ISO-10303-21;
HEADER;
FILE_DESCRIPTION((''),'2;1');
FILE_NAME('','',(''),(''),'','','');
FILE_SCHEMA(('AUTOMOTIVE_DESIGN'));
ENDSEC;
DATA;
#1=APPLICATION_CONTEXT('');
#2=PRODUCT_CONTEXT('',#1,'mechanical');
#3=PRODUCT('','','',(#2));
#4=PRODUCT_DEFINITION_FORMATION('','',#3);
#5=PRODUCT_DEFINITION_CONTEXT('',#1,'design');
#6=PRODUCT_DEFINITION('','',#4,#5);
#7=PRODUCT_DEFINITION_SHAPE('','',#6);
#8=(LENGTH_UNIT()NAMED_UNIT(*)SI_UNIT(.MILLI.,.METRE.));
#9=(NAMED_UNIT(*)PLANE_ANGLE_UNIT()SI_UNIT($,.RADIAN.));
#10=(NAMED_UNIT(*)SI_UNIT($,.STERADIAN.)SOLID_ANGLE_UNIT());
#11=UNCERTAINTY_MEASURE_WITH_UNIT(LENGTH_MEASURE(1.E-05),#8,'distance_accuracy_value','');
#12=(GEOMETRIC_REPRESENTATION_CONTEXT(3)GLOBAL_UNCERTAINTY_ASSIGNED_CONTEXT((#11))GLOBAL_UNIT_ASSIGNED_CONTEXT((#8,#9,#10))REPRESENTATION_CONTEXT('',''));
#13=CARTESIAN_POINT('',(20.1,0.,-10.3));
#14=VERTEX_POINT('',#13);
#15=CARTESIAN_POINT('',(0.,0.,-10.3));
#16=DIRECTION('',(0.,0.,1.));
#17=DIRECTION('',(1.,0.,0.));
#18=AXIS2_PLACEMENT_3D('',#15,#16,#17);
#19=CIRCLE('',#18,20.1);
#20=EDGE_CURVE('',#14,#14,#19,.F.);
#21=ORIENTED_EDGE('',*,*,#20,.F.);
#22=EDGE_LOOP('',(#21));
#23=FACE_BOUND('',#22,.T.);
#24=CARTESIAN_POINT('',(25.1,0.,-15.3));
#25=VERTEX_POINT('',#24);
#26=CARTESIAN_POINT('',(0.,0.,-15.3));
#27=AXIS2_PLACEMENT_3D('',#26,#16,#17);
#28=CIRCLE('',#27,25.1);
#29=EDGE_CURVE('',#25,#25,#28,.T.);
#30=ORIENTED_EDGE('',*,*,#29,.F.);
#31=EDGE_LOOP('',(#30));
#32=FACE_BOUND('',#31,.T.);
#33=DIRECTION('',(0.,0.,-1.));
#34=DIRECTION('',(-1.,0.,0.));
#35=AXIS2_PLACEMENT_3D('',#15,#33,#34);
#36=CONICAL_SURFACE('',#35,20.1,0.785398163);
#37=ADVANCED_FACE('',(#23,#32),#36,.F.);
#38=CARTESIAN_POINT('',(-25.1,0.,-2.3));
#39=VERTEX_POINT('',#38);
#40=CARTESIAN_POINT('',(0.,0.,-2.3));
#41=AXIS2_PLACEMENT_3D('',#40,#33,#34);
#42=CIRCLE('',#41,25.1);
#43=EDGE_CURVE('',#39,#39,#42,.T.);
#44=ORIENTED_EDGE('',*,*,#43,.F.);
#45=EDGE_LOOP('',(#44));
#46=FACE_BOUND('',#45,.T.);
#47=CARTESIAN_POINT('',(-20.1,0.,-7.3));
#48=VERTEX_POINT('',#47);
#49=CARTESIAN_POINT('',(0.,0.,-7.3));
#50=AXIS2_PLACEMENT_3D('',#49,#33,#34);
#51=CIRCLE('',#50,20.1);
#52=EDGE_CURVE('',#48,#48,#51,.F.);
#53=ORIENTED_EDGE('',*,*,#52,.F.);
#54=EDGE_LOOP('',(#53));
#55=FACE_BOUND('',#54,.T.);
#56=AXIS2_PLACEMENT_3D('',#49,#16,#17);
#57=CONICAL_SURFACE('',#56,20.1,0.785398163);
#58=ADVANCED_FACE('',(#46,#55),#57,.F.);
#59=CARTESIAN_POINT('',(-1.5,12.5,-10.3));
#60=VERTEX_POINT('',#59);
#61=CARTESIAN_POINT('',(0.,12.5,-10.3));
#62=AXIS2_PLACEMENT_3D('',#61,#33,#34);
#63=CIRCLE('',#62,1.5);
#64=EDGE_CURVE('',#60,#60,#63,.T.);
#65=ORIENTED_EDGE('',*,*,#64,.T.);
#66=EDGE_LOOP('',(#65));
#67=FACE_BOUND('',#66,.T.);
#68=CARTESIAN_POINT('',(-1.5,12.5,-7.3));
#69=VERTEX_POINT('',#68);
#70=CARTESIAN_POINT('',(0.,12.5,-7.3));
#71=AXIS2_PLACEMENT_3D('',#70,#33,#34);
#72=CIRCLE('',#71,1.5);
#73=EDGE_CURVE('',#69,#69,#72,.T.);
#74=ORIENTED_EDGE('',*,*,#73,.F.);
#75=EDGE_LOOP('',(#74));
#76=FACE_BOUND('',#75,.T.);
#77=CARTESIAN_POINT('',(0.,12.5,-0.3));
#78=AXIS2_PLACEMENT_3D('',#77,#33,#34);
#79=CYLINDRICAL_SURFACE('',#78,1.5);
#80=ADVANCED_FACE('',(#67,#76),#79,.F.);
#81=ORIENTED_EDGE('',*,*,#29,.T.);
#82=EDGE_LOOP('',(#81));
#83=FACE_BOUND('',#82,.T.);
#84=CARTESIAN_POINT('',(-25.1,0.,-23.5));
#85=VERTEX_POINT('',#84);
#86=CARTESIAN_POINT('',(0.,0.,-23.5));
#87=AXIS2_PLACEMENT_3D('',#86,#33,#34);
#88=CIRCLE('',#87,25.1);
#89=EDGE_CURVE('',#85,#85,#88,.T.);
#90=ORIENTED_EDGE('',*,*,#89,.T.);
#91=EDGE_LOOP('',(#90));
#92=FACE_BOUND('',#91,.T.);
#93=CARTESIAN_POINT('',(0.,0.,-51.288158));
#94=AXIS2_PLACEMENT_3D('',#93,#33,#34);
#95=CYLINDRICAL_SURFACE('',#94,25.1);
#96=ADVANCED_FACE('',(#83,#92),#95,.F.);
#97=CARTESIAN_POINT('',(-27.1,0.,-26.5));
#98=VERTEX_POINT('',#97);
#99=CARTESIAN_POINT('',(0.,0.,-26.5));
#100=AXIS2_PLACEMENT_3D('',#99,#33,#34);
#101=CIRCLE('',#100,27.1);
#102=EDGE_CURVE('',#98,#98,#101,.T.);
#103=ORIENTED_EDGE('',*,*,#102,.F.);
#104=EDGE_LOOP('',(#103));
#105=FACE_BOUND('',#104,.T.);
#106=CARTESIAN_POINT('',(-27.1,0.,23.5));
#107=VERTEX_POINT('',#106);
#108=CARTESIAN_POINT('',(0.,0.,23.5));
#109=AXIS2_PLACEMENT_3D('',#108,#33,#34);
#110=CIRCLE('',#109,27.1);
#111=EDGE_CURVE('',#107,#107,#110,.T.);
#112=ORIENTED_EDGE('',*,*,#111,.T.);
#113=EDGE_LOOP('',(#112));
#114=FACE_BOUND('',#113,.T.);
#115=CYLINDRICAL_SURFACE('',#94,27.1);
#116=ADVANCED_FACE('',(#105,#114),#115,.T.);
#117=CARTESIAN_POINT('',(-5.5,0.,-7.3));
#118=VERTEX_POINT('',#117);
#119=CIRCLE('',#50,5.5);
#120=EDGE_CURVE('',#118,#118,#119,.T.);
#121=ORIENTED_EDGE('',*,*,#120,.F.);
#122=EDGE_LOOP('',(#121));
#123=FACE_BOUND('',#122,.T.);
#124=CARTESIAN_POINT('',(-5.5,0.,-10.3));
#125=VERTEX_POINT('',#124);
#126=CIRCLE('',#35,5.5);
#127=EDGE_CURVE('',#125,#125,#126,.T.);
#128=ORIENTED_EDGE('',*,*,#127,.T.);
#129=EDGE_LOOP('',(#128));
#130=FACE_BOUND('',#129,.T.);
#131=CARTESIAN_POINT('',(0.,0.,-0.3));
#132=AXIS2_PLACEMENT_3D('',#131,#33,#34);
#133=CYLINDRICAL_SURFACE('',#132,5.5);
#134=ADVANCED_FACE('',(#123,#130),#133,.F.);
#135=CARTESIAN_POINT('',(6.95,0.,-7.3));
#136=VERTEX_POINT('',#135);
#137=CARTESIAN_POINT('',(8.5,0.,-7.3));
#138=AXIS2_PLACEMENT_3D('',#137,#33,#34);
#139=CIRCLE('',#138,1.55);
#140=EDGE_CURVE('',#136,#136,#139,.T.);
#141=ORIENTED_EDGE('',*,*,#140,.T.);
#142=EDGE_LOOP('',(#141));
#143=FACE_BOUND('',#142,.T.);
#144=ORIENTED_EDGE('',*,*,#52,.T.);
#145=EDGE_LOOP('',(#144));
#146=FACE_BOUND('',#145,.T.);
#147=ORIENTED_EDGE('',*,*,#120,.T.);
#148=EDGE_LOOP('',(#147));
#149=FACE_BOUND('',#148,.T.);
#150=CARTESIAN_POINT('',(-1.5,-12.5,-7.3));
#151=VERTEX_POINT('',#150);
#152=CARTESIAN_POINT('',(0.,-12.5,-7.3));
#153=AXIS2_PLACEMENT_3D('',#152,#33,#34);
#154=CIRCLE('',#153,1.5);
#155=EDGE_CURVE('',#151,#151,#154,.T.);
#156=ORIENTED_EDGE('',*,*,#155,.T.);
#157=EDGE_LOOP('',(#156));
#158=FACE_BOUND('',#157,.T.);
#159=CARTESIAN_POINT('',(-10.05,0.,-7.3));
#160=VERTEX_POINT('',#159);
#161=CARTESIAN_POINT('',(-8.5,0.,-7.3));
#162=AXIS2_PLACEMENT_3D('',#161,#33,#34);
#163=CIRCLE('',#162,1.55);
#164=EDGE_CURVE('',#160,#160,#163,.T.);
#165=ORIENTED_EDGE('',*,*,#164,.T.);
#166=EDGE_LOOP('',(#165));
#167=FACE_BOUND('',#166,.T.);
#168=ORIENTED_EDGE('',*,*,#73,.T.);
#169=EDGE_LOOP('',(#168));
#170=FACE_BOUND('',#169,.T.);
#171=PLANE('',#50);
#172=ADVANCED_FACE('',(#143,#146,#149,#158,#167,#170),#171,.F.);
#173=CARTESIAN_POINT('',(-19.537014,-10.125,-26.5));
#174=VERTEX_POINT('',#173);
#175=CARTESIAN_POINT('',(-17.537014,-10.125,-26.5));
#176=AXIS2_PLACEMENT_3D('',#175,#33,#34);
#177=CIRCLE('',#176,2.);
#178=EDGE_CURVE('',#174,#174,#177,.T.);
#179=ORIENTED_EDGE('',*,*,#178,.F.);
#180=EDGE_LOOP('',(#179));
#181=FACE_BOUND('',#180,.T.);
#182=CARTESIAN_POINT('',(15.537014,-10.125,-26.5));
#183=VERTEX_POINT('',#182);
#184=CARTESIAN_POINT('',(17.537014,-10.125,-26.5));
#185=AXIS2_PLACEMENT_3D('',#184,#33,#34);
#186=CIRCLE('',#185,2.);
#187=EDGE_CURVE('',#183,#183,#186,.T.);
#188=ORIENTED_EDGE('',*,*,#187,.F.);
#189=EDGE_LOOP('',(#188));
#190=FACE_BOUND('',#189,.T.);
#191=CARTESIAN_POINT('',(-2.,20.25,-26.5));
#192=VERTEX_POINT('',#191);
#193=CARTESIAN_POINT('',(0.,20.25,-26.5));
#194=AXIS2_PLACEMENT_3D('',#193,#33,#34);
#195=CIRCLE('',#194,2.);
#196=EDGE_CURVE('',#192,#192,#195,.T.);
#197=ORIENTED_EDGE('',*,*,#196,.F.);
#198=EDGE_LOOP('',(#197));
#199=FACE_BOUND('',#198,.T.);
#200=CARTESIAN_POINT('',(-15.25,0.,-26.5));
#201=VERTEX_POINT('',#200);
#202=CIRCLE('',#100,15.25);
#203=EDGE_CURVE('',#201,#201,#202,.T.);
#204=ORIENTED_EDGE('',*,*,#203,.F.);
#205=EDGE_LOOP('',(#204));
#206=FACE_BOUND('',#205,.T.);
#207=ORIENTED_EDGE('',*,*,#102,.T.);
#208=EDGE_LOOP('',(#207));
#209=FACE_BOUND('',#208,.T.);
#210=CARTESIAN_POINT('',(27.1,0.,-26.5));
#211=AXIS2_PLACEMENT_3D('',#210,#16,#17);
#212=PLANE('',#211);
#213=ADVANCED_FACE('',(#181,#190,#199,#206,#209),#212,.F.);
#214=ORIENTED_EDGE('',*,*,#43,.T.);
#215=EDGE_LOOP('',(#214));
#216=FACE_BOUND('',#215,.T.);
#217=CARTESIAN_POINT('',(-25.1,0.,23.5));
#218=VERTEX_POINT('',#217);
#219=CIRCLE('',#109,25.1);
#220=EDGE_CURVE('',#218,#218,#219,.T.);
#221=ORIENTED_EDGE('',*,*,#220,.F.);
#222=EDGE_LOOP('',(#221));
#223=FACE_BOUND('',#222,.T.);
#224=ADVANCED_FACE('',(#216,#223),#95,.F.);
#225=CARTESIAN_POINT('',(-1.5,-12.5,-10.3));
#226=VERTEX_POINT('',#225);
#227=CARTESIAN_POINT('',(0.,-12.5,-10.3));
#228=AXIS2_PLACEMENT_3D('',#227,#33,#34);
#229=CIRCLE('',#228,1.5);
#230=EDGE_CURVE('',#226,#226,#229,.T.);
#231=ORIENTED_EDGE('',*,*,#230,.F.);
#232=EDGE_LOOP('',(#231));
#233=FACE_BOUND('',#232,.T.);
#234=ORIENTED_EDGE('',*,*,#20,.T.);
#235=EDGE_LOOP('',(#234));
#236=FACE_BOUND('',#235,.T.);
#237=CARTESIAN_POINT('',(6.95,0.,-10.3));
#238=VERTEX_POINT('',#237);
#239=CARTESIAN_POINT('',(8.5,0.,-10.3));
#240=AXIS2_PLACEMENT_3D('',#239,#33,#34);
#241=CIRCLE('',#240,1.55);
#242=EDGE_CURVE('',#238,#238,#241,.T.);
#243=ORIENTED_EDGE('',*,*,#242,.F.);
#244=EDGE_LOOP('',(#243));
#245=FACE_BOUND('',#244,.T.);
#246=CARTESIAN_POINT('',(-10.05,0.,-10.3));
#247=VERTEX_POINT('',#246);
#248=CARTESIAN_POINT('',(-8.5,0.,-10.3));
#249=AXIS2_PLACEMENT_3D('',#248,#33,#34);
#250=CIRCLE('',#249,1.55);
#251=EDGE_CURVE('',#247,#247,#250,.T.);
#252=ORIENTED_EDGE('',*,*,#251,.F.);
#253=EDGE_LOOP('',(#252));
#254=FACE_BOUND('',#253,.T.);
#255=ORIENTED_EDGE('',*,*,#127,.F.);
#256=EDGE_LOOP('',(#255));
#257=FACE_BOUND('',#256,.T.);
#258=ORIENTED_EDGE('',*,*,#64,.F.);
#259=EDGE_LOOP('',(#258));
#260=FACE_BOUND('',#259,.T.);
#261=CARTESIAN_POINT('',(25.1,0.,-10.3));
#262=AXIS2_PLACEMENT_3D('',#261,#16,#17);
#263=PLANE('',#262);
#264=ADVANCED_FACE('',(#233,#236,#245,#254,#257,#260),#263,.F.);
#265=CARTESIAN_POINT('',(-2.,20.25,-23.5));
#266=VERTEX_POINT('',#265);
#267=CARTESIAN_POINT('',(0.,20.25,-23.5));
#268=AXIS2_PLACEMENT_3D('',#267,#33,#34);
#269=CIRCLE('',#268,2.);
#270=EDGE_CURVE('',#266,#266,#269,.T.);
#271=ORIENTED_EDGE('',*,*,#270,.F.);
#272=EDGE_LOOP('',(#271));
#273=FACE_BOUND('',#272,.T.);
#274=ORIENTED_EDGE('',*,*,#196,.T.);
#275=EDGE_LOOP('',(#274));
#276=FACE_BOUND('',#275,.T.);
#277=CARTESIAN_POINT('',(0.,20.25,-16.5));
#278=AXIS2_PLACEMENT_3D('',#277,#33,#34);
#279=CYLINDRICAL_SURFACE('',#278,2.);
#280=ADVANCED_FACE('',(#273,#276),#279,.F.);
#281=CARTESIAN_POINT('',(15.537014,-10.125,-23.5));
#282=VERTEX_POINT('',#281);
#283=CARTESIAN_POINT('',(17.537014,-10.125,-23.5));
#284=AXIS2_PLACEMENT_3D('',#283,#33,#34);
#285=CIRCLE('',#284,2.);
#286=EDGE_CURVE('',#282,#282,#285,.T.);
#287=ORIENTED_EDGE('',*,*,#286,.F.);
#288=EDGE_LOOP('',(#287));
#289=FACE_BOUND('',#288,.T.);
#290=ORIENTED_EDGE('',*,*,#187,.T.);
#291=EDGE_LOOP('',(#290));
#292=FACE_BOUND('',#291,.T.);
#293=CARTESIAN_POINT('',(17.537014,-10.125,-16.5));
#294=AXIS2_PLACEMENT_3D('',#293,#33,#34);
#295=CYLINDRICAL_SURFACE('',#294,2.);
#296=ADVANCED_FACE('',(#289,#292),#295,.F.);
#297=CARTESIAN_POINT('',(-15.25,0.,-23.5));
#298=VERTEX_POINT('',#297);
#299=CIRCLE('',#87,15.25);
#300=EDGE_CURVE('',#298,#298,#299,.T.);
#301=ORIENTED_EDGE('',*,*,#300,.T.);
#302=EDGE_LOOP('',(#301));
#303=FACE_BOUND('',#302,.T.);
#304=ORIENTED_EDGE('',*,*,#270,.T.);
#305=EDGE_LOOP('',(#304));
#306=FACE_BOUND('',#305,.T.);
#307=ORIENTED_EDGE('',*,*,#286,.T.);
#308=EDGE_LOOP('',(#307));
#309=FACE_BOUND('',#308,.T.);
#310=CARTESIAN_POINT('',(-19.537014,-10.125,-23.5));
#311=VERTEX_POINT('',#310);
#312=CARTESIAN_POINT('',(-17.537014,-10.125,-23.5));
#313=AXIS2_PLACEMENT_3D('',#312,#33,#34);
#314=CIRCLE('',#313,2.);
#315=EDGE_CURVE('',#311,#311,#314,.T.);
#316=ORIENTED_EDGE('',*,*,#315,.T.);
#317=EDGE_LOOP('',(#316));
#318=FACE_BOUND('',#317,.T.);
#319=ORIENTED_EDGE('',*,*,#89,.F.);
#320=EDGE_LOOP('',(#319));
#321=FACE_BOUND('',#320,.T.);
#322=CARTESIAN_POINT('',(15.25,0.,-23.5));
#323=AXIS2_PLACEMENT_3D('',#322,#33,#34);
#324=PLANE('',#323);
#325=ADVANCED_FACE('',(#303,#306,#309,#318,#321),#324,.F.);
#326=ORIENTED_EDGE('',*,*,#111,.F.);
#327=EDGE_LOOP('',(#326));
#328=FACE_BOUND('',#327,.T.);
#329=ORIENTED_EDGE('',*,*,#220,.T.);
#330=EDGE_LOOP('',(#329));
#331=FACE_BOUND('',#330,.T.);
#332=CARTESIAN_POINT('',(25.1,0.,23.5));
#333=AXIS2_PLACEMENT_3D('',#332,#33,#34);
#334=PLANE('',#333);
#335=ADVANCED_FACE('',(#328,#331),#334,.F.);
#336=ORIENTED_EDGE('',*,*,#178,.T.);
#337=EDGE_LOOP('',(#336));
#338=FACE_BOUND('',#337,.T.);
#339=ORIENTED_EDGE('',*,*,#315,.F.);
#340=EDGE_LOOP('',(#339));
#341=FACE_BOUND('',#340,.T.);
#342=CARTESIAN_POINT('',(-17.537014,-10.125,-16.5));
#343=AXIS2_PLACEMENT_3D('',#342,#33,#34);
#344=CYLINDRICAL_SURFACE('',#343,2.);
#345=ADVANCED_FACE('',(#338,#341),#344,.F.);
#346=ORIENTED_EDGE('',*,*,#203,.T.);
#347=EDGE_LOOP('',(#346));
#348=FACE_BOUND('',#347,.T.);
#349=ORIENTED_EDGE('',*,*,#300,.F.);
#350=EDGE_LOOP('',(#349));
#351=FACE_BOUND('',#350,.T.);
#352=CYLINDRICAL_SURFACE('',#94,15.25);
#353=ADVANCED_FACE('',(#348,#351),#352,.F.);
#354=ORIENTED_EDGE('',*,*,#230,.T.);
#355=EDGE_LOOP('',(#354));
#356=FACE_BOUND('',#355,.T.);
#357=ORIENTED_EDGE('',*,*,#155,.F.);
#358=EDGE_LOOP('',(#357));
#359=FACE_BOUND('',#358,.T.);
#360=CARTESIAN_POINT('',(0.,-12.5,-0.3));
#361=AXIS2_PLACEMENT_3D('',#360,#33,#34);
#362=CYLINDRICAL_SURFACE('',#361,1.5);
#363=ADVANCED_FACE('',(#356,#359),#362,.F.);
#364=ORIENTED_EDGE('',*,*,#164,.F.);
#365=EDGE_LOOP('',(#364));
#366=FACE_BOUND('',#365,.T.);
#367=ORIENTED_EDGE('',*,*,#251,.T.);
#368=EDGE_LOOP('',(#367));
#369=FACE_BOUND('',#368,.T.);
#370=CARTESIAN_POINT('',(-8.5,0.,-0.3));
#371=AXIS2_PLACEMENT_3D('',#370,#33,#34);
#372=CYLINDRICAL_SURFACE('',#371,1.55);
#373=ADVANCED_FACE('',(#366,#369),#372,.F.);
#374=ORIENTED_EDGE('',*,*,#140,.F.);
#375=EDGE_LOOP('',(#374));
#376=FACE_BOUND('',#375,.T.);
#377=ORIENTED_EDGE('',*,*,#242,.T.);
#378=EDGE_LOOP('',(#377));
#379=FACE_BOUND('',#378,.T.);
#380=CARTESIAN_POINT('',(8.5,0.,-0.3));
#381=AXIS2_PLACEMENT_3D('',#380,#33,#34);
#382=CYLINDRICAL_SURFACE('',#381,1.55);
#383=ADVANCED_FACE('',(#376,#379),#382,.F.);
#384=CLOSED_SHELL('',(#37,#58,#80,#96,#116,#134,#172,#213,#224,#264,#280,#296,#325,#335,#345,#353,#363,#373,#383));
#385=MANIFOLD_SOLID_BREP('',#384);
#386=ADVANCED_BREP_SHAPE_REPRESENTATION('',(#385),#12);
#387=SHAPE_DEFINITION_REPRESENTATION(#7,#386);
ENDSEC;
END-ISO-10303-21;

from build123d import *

# Parameters (mm, degrees)
SKETCH2_R          = 2
CUT_EXTRUDE1_DEPTH = 10
SKETCH3_W          = 25.1
SKETCH3_H          = 3
CHAMFER1_SIZE      = 5
SKETCH4_R          = 1.5
SKETCH4_R_2        = 1.55
SKETCH4_R_3        = 5.5
CUT_EXTRUDE2_DEPTH = 10


with BuildPart() as part:
    # Sketch1 → Revolve1 (revolve)
    with BuildSketch(Plane(origin=(0, 0, 0), x_dir=(1, 0, 0), z_dir=(0, 1, 0))):
        Polygon((15.25, 26.5), (15.25, 23.5), (25.1, 23.5), (25.1, -23.5), (27.1, -23.5), (27.1, 26.5), align=None)
    revolve(axis=Axis((0, 0, -51.288157895), (0, 0, 1)))

    # Sketch2 → Cut-Extrude1 (cut)
    with BuildSketch(Plane(origin=(0, 0, -26.5), x_dir=(-1, 0, 0), z_dir=(0, 0, -1))):
        with Locations((0, 20.25)):
            Circle(SKETCH2_R)
        with Locations((17.537014427, -10.125)):
            Circle(SKETCH2_R)
        with Locations((-17.537014427, -10.125)):
            Circle(SKETCH2_R)
    extrude(amount=-CUT_EXTRUDE1_DEPTH, mode=Mode.SUBTRACT)

    # Sketch3 → Revolve2 (revolve)
    with BuildSketch(Plane(origin=(0, 0, 0), x_dir=(1, 0, 0), z_dir=(0, 1, 0))):
        with Locations((12.55, 8.8)):
            Rectangle(SKETCH3_W, SKETCH3_H)
    revolve(axis=Axis((0, 0, -51.288157895), (0, 0, 1)))

    # Chamfer1
    chamfer1_edges = [part.edges().sort_by_distance(p)[0] for p in [
        (-25.1, 0, -7.3),
        (-25.1, 0, -10.3),
    ]]
    chamfer(chamfer1_edges, length=CHAMFER1_SIZE)

    # Sketch4 → Cut-Extrude2 (cut)
    with BuildSketch(Plane(origin=(0, 0, -10.3), x_dir=(-1, 0, 0), z_dir=(0, 0, -1))):
        with Locations((0, 12.5)):
            Circle(SKETCH4_R)
        with Locations((0, -12.5)):
            Circle(SKETCH4_R)
        with Locations((-8.5, 0)):
            Circle(SKETCH4_R_2)
        with Locations((8.5, 0)):
            Circle(SKETCH4_R_2)
        Circle(SKETCH4_R_3)
    extrude(amount=-CUT_EXTRUDE2_DEPTH, mode=Mode.SUBTRACT)


solid = part.part
